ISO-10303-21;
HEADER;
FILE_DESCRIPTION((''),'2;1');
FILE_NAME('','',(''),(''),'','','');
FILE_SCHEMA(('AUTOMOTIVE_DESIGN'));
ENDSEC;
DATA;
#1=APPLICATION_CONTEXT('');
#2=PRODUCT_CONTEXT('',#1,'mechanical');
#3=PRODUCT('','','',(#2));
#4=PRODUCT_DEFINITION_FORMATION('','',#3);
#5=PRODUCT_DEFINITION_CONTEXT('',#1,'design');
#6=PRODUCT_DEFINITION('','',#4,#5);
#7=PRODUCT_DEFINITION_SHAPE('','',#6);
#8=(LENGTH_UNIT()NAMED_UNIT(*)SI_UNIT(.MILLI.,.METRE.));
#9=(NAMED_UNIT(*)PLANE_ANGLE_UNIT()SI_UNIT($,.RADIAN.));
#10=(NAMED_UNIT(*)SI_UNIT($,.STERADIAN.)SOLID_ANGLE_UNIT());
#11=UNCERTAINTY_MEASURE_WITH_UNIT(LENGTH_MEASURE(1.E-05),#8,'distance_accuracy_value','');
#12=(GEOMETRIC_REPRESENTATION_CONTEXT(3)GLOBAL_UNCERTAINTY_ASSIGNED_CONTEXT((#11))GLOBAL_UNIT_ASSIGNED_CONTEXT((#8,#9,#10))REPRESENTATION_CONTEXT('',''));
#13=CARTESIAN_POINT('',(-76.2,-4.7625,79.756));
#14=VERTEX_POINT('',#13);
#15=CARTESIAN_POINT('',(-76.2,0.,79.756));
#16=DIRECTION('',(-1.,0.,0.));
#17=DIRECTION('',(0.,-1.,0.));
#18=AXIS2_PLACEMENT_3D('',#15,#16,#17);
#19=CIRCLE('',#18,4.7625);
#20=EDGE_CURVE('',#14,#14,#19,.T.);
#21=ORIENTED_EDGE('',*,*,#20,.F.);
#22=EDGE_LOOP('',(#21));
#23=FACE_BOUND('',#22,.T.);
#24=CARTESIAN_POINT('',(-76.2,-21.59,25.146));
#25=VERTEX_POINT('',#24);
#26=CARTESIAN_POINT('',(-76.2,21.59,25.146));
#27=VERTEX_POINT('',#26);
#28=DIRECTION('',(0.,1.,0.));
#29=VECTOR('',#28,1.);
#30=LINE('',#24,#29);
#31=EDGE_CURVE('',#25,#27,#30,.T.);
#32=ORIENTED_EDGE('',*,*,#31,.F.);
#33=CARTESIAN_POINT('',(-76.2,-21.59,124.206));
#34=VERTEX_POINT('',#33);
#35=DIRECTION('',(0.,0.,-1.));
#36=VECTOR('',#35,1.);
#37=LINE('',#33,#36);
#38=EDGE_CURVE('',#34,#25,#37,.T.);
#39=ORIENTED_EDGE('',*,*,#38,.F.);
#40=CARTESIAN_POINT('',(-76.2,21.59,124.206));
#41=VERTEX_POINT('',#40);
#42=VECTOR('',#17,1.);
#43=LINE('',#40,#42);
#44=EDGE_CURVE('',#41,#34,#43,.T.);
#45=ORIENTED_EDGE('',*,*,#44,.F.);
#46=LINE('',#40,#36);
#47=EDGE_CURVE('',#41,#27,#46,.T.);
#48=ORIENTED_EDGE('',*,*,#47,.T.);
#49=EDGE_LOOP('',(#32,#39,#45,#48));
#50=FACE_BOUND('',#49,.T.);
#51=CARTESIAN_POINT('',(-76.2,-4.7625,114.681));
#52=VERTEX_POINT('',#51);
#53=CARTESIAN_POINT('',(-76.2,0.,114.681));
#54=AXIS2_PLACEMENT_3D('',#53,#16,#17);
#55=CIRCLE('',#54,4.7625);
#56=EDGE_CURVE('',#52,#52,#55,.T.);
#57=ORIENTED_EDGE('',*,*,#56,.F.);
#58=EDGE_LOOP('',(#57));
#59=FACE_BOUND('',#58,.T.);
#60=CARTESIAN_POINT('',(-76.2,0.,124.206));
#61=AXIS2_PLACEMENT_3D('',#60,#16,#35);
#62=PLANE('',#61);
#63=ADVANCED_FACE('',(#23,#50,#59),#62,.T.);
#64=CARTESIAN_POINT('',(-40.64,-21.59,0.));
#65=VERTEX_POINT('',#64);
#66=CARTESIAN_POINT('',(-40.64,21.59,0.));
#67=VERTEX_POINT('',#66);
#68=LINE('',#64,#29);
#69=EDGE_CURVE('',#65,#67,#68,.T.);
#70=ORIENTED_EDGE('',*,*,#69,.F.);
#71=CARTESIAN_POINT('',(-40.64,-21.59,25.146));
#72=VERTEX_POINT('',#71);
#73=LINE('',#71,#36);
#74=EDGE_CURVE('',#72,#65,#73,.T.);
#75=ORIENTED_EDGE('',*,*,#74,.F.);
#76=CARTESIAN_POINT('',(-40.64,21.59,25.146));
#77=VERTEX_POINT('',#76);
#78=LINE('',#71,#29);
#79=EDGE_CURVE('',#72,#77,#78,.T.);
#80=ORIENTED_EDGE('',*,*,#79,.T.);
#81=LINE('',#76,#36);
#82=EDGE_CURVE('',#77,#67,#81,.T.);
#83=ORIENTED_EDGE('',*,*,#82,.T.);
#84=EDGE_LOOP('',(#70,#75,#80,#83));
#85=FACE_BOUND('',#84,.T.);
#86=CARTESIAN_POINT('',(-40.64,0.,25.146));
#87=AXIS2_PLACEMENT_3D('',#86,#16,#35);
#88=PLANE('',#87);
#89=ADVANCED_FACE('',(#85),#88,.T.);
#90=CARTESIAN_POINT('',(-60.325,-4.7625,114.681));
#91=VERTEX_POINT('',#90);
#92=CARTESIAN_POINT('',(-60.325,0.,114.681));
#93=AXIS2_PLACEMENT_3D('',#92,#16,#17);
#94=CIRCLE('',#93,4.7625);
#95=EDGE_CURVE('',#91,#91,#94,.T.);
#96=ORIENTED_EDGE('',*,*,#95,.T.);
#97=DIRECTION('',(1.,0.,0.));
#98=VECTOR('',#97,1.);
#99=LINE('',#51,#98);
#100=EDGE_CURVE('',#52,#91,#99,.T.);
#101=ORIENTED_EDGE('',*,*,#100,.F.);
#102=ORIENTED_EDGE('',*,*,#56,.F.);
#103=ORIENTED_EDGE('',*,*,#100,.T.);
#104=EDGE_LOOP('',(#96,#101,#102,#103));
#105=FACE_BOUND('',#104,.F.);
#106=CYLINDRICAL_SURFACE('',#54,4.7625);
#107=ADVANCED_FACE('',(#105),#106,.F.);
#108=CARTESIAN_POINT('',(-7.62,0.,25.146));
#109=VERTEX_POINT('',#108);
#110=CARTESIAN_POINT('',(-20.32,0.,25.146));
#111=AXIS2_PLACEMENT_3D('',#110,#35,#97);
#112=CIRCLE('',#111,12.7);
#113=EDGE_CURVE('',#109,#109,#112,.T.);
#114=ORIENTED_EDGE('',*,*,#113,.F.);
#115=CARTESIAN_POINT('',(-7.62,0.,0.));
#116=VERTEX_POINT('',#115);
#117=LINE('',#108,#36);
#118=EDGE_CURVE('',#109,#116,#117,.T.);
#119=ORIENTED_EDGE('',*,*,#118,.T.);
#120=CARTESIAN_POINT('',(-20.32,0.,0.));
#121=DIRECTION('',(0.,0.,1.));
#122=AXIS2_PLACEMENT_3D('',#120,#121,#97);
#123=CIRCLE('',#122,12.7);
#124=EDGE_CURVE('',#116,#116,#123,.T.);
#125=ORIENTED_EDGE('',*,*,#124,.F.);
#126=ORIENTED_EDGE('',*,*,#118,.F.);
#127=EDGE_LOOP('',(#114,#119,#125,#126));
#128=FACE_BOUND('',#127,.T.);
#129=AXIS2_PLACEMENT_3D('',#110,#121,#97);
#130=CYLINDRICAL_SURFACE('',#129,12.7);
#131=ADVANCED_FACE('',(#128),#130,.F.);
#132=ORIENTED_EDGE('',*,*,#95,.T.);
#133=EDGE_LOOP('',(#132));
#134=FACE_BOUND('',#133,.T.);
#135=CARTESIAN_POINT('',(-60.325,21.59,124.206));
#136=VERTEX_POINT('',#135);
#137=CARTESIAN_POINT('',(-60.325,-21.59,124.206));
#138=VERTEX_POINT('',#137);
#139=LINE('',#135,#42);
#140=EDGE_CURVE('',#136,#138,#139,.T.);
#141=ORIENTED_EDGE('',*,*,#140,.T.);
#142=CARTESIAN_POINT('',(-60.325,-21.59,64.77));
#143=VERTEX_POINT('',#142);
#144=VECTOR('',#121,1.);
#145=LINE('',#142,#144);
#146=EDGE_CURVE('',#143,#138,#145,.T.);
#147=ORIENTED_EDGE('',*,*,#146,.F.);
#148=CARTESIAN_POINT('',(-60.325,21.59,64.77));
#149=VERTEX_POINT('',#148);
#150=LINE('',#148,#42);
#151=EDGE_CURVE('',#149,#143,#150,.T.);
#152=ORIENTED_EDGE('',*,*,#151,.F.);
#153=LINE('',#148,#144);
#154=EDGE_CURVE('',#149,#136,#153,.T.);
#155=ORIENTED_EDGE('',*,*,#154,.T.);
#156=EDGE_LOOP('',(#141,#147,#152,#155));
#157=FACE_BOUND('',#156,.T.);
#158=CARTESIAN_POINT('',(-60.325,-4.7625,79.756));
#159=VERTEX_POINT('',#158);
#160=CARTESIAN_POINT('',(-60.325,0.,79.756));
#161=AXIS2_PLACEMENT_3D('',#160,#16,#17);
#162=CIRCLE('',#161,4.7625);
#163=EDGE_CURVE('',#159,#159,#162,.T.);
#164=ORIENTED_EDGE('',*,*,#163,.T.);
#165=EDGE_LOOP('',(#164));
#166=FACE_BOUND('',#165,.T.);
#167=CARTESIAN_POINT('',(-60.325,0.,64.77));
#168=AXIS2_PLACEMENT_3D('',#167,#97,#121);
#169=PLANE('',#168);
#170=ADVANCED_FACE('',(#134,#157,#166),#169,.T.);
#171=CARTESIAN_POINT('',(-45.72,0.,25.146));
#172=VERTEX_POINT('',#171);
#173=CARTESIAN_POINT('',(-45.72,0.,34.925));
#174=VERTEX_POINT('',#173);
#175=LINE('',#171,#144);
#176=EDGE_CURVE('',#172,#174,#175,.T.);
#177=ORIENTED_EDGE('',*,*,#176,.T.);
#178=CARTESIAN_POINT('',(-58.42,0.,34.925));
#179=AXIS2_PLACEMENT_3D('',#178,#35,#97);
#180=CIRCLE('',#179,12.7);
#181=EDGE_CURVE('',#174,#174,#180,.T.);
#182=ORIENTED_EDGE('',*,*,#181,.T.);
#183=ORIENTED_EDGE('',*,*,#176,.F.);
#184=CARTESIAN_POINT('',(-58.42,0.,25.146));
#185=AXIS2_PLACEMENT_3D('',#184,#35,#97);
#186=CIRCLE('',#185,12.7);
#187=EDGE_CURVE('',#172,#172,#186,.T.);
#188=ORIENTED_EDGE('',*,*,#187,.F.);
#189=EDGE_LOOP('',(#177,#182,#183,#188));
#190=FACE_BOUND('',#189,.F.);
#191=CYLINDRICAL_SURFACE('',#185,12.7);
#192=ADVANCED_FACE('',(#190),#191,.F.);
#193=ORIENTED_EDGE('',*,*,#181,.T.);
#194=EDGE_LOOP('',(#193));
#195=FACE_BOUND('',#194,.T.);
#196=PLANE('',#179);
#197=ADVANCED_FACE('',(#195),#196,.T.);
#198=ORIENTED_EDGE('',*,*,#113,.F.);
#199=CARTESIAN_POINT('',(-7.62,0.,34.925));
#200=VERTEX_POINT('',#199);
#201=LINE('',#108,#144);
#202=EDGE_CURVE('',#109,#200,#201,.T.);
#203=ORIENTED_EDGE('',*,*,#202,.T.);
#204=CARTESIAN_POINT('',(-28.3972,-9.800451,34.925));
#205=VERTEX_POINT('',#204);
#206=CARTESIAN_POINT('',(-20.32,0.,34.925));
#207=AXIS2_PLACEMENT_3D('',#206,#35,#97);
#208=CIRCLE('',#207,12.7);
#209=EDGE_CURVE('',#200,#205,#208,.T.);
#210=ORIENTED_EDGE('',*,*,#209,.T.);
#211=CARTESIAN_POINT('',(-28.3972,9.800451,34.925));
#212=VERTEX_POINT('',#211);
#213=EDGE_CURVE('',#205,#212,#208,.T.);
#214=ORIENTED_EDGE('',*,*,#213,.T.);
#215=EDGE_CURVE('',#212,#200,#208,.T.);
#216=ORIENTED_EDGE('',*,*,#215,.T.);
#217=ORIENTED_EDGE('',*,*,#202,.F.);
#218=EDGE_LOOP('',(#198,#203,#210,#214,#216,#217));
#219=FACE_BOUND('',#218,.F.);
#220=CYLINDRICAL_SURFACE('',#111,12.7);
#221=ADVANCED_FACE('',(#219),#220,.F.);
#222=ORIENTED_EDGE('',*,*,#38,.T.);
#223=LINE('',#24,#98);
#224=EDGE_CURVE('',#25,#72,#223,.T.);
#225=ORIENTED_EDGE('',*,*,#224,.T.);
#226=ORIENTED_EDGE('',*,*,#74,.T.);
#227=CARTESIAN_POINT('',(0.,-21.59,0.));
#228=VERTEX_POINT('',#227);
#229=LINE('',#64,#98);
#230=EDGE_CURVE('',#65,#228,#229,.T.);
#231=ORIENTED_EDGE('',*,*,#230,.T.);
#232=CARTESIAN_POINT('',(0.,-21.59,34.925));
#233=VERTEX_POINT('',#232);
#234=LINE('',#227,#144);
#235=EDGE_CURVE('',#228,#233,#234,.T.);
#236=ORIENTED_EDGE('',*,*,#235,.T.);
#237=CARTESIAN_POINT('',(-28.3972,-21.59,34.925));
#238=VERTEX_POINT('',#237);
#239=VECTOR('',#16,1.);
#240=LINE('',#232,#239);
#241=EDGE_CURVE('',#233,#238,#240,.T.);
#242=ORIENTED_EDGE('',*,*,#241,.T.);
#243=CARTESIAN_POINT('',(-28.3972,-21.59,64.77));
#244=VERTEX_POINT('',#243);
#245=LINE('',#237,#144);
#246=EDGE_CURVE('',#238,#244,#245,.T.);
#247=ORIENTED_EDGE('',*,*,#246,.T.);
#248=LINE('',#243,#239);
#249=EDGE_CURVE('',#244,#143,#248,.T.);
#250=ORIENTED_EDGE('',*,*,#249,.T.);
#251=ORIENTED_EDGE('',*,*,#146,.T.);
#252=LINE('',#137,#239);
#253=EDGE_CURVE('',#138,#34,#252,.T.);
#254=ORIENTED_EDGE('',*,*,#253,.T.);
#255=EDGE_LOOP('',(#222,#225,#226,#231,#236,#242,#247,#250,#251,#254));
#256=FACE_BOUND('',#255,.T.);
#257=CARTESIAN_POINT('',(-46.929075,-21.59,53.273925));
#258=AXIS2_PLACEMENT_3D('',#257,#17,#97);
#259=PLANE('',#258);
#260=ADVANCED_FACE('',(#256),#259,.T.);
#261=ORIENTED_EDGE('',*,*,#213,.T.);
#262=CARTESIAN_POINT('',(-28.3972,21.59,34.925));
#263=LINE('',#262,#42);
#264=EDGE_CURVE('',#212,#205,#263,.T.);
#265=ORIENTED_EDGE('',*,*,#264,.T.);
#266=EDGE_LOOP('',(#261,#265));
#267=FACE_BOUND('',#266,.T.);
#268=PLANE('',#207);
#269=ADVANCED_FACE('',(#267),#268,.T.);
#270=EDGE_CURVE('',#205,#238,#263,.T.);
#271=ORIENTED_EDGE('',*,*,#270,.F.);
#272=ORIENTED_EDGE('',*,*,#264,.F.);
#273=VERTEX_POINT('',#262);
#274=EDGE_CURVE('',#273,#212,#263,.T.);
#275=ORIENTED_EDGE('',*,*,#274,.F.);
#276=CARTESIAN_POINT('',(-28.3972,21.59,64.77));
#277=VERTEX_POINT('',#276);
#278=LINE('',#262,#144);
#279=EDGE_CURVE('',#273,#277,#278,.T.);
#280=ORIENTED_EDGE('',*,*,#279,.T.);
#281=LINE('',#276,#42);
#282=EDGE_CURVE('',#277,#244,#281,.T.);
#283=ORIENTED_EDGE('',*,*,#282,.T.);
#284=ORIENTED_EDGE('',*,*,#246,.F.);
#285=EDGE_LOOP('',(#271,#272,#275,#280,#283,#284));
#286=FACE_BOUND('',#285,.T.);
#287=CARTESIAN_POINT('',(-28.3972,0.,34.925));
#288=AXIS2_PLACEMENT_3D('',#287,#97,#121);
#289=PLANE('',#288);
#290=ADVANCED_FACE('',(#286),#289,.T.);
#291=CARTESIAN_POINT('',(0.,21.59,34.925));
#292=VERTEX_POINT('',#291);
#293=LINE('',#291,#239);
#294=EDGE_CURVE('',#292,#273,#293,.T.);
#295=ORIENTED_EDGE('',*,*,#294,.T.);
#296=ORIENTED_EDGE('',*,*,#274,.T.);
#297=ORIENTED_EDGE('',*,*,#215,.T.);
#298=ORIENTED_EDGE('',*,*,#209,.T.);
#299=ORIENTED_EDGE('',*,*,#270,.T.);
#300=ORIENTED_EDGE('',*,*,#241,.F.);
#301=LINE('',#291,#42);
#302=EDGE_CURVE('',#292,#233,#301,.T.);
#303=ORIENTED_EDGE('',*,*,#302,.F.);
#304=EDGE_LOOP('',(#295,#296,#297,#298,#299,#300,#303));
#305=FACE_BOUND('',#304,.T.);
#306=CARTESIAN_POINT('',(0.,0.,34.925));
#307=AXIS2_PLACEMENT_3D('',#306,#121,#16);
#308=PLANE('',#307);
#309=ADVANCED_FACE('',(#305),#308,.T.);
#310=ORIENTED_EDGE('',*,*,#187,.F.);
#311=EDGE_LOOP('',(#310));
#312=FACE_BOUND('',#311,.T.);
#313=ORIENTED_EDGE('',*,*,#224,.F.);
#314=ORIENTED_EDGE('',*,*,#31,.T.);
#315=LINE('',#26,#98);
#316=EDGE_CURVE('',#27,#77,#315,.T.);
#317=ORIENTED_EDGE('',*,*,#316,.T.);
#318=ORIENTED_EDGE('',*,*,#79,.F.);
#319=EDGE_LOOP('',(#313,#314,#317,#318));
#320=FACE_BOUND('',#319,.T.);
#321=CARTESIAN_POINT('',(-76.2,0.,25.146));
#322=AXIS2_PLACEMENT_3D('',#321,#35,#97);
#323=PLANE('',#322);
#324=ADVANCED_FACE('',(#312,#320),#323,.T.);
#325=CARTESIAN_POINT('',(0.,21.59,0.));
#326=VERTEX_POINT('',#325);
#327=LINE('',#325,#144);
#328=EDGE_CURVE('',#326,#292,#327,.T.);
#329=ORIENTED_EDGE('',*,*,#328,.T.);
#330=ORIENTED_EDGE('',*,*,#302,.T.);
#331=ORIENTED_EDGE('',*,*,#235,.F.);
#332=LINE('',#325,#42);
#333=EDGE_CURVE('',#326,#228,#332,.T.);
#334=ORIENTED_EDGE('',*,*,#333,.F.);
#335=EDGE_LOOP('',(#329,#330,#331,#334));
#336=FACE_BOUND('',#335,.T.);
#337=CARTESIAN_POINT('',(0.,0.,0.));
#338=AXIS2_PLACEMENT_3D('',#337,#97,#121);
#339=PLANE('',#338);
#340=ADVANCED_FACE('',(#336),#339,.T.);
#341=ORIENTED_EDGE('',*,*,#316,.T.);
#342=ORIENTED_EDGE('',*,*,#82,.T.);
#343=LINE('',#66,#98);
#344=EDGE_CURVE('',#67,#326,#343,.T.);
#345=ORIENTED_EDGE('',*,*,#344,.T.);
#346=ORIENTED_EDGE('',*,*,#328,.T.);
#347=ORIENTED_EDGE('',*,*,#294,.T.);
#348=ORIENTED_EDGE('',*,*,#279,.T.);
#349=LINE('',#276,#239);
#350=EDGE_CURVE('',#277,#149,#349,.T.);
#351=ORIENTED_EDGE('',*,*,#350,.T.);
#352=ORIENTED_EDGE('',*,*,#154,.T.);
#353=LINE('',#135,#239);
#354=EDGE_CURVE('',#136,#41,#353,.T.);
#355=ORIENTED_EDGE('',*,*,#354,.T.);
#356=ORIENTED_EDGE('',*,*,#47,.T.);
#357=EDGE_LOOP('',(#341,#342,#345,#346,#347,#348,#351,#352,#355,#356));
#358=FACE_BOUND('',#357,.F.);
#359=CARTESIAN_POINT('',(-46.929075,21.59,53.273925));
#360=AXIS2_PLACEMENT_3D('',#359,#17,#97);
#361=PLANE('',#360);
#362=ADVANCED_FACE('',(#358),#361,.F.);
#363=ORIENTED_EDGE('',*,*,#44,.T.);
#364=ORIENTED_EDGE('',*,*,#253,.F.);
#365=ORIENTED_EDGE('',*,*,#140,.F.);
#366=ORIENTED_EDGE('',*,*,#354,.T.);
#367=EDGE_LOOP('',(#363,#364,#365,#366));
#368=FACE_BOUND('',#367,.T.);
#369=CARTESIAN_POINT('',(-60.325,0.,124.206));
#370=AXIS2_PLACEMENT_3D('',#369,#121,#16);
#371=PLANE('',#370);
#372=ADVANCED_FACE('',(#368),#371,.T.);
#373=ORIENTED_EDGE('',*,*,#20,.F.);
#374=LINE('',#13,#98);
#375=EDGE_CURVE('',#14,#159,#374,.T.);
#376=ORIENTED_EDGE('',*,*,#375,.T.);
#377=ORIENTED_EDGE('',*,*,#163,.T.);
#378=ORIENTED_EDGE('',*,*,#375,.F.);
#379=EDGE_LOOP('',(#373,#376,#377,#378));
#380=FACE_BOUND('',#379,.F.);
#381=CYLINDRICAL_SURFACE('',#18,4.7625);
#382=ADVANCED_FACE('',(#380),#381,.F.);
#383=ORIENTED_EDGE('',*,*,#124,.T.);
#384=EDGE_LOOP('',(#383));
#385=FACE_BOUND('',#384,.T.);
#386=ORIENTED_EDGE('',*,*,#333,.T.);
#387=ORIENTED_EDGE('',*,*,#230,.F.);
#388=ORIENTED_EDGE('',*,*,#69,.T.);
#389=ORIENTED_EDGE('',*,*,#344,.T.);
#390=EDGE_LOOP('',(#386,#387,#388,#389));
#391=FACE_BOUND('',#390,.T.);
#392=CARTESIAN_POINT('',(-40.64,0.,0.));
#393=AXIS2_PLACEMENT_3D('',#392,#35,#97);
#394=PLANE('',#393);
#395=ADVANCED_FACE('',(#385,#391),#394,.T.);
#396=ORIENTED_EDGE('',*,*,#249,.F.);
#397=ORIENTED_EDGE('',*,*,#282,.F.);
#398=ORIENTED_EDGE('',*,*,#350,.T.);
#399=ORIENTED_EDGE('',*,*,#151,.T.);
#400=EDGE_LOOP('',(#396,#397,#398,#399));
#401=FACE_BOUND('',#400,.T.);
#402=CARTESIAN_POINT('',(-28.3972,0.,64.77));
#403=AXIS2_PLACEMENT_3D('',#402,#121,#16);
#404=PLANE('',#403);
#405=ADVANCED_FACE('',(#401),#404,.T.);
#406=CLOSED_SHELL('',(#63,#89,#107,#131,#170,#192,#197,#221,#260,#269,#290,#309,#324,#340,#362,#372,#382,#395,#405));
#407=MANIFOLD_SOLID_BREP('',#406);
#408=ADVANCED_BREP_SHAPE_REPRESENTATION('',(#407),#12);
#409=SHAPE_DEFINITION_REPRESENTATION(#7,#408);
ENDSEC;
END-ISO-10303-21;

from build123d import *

# Parameters (mm, degrees)
F1_DEPTH      = 21.59
F2_R          = 4.7625
F3_DEPTH      = 76.201
F4_R          = 12.7
F5_DEPTH      = 9.779
F5_DEPTH_BACK = 25.147


with BuildPart() as f1:
    # F0 (on Front) → F1 (new body, symmetric)
    with BuildSketch(Plane.XZ):
        Polygon((-40.64, 0), (0, 0), (0, 34.925), (-28.3972, 34.925), (-28.3972, 64.77), (-60.325, 64.77), (-60.325, 124.206), (-76.2, 124.206), (-76.2, 25.146), (-40.64, 25.146), align=None)
    extrude(amount=F1_DEPTH, both=True)

    # F2 (on face) → F3 (cut, through all)
    with BuildSketch(Plane(origin=(-76.2, 0, 0), x_dir=(0, -1, 0), z_dir=(-1, 0, 0))):
        with Locations((0, 114.681)):
            Circle(F2_R)
        with Locations((0, 79.756)):
            Circle(F2_R)
    extrude(amount=-F3_DEPTH, mode=Mode.SUBTRACT)

    # F4 (on face) → F5 (cut, two sides)
    with BuildSketch(Plane(origin=(0, 0, 25.146), x_dir=(1, 0, 0), z_dir=(0, 0, -1))) as f5_sk:
        with Locations((-58.42, 0)):
            Circle(F4_R)
        with Locations((-20.32, 0)):
            Circle(F4_R)
    extrude(amount=-F5_DEPTH, mode=Mode.SUBTRACT)
    extrude(f5_sk.sketch, amount=F5_DEPTH_BACK, mode=Mode.SUBTRACT)


solid = f1.part
